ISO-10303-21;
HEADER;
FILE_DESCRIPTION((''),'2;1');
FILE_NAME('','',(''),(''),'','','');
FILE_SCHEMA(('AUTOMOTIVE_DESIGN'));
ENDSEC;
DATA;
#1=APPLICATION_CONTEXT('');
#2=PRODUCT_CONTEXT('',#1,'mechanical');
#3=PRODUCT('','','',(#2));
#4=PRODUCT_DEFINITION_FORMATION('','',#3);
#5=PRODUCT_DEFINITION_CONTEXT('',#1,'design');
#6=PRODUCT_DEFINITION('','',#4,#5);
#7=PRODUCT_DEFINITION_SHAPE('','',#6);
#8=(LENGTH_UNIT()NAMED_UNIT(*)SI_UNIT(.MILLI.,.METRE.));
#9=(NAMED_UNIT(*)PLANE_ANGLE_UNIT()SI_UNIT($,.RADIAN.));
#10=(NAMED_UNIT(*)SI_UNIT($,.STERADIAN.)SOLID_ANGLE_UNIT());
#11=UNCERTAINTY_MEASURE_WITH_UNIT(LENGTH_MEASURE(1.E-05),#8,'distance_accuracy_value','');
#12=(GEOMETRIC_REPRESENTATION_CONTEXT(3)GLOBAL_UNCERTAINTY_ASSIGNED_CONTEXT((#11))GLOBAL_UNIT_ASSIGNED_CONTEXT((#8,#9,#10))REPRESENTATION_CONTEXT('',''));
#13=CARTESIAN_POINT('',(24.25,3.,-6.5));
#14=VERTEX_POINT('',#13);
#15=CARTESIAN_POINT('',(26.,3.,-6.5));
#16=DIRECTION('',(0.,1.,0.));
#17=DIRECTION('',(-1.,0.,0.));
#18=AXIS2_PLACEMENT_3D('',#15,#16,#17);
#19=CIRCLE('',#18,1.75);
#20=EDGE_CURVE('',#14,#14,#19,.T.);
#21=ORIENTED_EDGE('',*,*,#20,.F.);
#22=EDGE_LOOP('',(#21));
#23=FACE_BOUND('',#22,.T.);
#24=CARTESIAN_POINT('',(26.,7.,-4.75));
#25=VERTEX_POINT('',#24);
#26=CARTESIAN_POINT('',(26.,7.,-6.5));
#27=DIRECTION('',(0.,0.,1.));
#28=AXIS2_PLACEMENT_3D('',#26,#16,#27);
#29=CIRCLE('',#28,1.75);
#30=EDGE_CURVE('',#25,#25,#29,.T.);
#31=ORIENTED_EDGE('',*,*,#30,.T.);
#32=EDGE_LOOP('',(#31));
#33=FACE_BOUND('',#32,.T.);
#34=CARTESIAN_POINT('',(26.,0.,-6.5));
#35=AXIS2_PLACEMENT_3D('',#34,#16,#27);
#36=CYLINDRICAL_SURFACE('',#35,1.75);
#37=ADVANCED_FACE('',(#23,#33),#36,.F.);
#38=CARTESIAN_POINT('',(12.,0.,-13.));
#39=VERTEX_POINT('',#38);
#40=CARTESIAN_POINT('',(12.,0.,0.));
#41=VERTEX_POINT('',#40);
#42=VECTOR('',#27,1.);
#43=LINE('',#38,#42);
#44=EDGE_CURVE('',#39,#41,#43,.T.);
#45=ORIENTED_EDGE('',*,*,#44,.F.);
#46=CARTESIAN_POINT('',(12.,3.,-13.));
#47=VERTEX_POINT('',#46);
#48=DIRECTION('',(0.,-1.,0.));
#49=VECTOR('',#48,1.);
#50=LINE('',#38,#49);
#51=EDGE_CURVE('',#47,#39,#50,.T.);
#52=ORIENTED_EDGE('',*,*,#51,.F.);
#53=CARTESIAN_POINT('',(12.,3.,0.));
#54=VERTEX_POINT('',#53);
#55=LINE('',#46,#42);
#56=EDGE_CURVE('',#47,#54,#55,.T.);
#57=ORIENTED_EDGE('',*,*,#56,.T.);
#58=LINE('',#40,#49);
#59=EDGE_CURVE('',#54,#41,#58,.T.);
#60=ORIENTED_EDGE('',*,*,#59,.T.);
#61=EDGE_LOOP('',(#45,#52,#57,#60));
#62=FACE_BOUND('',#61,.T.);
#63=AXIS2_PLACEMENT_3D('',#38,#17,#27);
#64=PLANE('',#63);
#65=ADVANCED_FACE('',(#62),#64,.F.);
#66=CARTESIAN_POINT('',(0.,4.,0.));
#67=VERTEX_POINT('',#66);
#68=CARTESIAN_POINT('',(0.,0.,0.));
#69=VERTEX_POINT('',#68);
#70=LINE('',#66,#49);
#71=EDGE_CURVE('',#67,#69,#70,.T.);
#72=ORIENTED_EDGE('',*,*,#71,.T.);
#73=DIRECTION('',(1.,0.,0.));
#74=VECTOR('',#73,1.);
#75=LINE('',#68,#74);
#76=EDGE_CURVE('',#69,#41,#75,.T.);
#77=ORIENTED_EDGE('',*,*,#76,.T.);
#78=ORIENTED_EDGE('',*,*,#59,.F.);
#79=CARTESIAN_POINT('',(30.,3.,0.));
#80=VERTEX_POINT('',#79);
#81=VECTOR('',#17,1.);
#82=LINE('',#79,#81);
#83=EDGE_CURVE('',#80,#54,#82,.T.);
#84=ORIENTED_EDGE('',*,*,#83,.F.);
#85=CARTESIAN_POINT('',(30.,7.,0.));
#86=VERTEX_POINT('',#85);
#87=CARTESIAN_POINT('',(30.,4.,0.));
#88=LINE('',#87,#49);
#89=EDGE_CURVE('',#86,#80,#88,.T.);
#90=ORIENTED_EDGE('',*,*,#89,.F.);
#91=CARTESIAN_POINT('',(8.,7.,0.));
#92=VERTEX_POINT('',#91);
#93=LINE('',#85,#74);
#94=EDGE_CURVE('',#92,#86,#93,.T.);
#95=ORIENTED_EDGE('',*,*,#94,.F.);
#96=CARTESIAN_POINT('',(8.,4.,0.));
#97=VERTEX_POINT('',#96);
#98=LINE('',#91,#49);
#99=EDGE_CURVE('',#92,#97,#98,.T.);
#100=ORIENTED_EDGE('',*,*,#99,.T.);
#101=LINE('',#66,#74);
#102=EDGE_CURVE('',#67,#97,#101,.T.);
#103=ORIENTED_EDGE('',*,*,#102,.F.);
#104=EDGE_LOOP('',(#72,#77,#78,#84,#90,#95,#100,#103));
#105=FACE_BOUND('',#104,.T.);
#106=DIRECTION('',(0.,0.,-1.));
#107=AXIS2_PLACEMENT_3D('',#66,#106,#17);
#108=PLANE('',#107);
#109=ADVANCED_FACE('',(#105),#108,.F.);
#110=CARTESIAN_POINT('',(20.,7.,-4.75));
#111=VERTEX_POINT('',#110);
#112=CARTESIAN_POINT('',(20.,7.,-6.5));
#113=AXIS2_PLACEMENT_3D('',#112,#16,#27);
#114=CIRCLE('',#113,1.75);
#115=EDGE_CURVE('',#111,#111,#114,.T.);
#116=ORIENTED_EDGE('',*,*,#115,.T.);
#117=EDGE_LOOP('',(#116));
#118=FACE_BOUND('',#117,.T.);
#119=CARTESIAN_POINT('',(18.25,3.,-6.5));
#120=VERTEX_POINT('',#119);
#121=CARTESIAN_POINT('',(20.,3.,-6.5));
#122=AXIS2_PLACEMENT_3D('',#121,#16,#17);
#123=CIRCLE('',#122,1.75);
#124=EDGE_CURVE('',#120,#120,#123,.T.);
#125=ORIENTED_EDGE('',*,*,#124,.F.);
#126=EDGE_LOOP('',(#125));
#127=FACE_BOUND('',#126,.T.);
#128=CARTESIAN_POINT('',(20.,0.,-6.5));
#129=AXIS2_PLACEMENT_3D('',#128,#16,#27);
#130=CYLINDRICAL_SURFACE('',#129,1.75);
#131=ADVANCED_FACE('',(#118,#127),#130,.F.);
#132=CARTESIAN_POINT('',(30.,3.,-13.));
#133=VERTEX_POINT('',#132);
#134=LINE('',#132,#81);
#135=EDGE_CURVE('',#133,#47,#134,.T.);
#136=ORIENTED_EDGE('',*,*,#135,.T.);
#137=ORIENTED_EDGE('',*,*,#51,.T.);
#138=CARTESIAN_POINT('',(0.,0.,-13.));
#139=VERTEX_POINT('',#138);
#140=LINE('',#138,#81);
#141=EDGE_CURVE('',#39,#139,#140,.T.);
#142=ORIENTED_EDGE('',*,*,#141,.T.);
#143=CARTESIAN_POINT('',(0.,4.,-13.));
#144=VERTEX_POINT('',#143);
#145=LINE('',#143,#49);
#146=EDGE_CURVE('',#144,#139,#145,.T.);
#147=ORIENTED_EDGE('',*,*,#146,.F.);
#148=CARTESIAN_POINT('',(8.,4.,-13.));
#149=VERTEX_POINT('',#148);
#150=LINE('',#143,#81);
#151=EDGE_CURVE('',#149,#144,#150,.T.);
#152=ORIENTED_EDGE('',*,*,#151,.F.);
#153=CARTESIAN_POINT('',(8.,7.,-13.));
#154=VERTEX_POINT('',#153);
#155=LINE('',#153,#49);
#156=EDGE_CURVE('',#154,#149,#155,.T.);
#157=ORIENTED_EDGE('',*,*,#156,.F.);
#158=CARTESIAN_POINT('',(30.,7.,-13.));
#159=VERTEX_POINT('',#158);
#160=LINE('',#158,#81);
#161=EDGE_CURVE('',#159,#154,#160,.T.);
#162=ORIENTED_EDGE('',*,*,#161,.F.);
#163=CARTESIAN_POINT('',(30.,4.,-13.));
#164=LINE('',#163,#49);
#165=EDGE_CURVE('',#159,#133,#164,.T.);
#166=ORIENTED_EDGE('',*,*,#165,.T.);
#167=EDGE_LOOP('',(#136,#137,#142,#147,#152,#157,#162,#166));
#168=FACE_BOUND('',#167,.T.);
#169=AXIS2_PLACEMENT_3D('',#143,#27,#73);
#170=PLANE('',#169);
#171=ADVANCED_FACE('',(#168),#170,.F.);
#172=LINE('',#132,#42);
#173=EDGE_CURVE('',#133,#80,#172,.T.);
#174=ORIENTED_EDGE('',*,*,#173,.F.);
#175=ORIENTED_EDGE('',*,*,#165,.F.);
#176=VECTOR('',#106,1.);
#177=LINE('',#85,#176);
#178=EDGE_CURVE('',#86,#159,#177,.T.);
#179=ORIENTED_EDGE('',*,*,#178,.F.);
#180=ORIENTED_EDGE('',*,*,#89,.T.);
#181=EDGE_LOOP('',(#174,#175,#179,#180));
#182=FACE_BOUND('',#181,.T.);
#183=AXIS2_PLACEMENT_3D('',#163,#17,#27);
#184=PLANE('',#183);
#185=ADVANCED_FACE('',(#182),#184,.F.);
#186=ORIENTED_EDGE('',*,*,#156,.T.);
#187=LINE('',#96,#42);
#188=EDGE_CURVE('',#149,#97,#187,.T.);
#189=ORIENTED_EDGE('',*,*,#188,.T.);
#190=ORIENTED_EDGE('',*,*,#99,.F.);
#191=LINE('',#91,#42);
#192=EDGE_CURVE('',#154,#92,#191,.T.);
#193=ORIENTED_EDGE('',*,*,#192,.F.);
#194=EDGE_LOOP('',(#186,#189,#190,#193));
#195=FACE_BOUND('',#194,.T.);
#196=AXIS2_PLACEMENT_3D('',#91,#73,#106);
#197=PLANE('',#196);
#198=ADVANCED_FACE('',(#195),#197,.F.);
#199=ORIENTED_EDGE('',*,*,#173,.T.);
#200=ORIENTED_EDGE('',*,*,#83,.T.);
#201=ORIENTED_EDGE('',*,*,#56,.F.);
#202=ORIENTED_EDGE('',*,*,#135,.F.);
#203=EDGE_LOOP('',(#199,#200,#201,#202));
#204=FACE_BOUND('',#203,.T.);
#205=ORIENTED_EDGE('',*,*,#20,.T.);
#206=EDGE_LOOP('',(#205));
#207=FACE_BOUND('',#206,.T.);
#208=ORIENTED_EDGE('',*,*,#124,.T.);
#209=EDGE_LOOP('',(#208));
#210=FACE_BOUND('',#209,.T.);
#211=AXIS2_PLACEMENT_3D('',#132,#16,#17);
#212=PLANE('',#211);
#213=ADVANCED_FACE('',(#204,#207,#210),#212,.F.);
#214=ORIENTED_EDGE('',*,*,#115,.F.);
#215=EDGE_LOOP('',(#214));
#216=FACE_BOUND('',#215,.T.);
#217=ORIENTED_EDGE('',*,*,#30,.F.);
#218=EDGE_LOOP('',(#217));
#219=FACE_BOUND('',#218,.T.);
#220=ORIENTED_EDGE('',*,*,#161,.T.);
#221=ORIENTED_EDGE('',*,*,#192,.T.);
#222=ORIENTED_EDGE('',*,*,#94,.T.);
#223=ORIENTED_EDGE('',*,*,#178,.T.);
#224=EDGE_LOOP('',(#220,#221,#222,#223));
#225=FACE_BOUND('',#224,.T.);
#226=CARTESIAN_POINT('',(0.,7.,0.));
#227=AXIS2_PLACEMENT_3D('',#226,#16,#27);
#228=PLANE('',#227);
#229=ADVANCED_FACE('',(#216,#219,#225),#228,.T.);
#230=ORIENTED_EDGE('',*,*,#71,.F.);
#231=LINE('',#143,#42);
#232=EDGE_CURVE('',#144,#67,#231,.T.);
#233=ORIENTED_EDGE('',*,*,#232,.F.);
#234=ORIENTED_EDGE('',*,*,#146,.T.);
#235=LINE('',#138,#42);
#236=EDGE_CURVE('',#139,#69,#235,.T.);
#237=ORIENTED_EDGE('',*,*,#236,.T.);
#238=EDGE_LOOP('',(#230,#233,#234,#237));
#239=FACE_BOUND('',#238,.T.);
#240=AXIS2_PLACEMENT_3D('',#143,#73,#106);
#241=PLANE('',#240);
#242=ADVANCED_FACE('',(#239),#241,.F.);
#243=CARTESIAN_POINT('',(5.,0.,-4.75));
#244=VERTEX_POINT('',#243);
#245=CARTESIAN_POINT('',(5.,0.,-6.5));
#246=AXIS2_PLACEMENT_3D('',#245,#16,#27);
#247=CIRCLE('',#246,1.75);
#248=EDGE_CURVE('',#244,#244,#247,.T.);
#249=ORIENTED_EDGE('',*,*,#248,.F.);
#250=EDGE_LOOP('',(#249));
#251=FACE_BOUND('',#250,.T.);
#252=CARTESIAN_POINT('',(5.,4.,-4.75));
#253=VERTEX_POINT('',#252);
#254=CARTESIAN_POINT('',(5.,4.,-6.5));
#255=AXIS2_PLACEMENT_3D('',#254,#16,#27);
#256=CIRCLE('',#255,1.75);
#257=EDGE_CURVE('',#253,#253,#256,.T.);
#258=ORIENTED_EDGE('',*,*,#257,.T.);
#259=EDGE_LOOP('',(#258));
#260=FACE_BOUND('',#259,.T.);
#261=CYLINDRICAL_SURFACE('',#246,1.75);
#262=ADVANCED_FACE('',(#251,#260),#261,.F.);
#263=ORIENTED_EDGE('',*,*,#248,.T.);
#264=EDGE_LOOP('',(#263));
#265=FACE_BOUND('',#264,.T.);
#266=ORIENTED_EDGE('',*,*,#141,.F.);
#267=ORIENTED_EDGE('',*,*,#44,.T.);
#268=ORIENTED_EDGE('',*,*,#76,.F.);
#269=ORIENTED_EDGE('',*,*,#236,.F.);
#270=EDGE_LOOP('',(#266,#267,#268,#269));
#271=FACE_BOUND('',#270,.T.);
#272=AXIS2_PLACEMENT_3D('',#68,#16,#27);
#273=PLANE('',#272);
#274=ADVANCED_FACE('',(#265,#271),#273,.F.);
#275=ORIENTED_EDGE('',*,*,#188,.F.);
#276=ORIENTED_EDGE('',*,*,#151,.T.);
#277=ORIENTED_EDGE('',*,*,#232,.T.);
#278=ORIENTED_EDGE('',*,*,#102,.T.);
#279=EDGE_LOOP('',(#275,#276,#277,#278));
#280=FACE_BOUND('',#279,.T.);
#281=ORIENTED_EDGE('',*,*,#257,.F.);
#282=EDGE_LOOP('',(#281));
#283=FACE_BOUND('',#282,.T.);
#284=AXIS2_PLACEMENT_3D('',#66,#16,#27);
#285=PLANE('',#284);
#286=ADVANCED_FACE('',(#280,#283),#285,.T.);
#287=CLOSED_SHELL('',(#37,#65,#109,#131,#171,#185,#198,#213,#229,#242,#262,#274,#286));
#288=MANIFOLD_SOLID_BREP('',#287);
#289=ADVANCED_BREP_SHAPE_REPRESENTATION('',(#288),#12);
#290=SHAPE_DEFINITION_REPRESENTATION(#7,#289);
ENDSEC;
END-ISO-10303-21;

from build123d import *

# Parameters (mm, degrees)
SKETCH1_W           = 30
SKETCH1_H           = 13
BOSS_EXTRUDE1_DEPTH = 4
SKETCH2_W           = 18
SKETCH2_H           = 3
CUT_EXTRUDE1_DEPTH  = 14
SKETCH3_W           = 22
SKETCH3_H           = 13
BOSS_EXTRUDE2_DEPTH = 3
SKETCH4_R           = 1.75
CUT_EXTRUDE2_DEPTH  = 5
SKETCH7_R           = 1.75
CUT_EXTRUDE5_DEPTH  = 8


with BuildPart() as part:
    # Sketch1 → Boss-Extrude1 (new body)
    with BuildSketch(Plane(origin=(0, 0, 0), x_dir=(1, 0, 0), z_dir=(0, 1, 0))):
        with Locations((15, 6.5)):
            Rectangle(SKETCH1_W, SKETCH1_H)
    extrude(amount=BOSS_EXTRUDE1_DEPTH)

    # Sketch2 → Cut-Extrude1 (cut, through all)
    with BuildSketch(Plane.XY):
        with Locations((21, 1.5)):
            Rectangle(SKETCH2_W, SKETCH2_H)
    extrude(amount=-CUT_EXTRUDE1_DEPTH, mode=Mode.SUBTRACT)

    # Sketch3 → Boss-Extrude2 (add)
    with BuildSketch(Plane(origin=(0, 4, 0), x_dir=(1, 0, 0), z_dir=(0, 1, 0))):
        with Locations((19, 6.5)):
            Rectangle(SKETCH3_W, SKETCH3_H)
    extrude(amount=BOSS_EXTRUDE2_DEPTH)

    # Sketch4 → Cut-Extrude2 (cut, through all)
    with BuildSketch(Plane(origin=(0, 4, 0), x_dir=(1, 0, 0), z_dir=(0, 1, 0))):
        with Locations((5, 6.5)):
            Circle(SKETCH4_R)
    extrude(amount=-CUT_EXTRUDE2_DEPTH, mode=Mode.SUBTRACT)

    # Sketch7 → Cut-Extrude5 (cut, through all)
    with BuildSketch(Plane(origin=(0, 7, 0), x_dir=(1, 0, 0), z_dir=(0, 1, 0))):
        with Locations((20, 6.5)):
            Circle(SKETCH7_R)
        with Locations((26, 6.5)):
            Circle(SKETCH7_R)
    extrude(amount=-CUT_EXTRUDE5_DEPTH, mode=Mode.SUBTRACT)


solid = part.part
